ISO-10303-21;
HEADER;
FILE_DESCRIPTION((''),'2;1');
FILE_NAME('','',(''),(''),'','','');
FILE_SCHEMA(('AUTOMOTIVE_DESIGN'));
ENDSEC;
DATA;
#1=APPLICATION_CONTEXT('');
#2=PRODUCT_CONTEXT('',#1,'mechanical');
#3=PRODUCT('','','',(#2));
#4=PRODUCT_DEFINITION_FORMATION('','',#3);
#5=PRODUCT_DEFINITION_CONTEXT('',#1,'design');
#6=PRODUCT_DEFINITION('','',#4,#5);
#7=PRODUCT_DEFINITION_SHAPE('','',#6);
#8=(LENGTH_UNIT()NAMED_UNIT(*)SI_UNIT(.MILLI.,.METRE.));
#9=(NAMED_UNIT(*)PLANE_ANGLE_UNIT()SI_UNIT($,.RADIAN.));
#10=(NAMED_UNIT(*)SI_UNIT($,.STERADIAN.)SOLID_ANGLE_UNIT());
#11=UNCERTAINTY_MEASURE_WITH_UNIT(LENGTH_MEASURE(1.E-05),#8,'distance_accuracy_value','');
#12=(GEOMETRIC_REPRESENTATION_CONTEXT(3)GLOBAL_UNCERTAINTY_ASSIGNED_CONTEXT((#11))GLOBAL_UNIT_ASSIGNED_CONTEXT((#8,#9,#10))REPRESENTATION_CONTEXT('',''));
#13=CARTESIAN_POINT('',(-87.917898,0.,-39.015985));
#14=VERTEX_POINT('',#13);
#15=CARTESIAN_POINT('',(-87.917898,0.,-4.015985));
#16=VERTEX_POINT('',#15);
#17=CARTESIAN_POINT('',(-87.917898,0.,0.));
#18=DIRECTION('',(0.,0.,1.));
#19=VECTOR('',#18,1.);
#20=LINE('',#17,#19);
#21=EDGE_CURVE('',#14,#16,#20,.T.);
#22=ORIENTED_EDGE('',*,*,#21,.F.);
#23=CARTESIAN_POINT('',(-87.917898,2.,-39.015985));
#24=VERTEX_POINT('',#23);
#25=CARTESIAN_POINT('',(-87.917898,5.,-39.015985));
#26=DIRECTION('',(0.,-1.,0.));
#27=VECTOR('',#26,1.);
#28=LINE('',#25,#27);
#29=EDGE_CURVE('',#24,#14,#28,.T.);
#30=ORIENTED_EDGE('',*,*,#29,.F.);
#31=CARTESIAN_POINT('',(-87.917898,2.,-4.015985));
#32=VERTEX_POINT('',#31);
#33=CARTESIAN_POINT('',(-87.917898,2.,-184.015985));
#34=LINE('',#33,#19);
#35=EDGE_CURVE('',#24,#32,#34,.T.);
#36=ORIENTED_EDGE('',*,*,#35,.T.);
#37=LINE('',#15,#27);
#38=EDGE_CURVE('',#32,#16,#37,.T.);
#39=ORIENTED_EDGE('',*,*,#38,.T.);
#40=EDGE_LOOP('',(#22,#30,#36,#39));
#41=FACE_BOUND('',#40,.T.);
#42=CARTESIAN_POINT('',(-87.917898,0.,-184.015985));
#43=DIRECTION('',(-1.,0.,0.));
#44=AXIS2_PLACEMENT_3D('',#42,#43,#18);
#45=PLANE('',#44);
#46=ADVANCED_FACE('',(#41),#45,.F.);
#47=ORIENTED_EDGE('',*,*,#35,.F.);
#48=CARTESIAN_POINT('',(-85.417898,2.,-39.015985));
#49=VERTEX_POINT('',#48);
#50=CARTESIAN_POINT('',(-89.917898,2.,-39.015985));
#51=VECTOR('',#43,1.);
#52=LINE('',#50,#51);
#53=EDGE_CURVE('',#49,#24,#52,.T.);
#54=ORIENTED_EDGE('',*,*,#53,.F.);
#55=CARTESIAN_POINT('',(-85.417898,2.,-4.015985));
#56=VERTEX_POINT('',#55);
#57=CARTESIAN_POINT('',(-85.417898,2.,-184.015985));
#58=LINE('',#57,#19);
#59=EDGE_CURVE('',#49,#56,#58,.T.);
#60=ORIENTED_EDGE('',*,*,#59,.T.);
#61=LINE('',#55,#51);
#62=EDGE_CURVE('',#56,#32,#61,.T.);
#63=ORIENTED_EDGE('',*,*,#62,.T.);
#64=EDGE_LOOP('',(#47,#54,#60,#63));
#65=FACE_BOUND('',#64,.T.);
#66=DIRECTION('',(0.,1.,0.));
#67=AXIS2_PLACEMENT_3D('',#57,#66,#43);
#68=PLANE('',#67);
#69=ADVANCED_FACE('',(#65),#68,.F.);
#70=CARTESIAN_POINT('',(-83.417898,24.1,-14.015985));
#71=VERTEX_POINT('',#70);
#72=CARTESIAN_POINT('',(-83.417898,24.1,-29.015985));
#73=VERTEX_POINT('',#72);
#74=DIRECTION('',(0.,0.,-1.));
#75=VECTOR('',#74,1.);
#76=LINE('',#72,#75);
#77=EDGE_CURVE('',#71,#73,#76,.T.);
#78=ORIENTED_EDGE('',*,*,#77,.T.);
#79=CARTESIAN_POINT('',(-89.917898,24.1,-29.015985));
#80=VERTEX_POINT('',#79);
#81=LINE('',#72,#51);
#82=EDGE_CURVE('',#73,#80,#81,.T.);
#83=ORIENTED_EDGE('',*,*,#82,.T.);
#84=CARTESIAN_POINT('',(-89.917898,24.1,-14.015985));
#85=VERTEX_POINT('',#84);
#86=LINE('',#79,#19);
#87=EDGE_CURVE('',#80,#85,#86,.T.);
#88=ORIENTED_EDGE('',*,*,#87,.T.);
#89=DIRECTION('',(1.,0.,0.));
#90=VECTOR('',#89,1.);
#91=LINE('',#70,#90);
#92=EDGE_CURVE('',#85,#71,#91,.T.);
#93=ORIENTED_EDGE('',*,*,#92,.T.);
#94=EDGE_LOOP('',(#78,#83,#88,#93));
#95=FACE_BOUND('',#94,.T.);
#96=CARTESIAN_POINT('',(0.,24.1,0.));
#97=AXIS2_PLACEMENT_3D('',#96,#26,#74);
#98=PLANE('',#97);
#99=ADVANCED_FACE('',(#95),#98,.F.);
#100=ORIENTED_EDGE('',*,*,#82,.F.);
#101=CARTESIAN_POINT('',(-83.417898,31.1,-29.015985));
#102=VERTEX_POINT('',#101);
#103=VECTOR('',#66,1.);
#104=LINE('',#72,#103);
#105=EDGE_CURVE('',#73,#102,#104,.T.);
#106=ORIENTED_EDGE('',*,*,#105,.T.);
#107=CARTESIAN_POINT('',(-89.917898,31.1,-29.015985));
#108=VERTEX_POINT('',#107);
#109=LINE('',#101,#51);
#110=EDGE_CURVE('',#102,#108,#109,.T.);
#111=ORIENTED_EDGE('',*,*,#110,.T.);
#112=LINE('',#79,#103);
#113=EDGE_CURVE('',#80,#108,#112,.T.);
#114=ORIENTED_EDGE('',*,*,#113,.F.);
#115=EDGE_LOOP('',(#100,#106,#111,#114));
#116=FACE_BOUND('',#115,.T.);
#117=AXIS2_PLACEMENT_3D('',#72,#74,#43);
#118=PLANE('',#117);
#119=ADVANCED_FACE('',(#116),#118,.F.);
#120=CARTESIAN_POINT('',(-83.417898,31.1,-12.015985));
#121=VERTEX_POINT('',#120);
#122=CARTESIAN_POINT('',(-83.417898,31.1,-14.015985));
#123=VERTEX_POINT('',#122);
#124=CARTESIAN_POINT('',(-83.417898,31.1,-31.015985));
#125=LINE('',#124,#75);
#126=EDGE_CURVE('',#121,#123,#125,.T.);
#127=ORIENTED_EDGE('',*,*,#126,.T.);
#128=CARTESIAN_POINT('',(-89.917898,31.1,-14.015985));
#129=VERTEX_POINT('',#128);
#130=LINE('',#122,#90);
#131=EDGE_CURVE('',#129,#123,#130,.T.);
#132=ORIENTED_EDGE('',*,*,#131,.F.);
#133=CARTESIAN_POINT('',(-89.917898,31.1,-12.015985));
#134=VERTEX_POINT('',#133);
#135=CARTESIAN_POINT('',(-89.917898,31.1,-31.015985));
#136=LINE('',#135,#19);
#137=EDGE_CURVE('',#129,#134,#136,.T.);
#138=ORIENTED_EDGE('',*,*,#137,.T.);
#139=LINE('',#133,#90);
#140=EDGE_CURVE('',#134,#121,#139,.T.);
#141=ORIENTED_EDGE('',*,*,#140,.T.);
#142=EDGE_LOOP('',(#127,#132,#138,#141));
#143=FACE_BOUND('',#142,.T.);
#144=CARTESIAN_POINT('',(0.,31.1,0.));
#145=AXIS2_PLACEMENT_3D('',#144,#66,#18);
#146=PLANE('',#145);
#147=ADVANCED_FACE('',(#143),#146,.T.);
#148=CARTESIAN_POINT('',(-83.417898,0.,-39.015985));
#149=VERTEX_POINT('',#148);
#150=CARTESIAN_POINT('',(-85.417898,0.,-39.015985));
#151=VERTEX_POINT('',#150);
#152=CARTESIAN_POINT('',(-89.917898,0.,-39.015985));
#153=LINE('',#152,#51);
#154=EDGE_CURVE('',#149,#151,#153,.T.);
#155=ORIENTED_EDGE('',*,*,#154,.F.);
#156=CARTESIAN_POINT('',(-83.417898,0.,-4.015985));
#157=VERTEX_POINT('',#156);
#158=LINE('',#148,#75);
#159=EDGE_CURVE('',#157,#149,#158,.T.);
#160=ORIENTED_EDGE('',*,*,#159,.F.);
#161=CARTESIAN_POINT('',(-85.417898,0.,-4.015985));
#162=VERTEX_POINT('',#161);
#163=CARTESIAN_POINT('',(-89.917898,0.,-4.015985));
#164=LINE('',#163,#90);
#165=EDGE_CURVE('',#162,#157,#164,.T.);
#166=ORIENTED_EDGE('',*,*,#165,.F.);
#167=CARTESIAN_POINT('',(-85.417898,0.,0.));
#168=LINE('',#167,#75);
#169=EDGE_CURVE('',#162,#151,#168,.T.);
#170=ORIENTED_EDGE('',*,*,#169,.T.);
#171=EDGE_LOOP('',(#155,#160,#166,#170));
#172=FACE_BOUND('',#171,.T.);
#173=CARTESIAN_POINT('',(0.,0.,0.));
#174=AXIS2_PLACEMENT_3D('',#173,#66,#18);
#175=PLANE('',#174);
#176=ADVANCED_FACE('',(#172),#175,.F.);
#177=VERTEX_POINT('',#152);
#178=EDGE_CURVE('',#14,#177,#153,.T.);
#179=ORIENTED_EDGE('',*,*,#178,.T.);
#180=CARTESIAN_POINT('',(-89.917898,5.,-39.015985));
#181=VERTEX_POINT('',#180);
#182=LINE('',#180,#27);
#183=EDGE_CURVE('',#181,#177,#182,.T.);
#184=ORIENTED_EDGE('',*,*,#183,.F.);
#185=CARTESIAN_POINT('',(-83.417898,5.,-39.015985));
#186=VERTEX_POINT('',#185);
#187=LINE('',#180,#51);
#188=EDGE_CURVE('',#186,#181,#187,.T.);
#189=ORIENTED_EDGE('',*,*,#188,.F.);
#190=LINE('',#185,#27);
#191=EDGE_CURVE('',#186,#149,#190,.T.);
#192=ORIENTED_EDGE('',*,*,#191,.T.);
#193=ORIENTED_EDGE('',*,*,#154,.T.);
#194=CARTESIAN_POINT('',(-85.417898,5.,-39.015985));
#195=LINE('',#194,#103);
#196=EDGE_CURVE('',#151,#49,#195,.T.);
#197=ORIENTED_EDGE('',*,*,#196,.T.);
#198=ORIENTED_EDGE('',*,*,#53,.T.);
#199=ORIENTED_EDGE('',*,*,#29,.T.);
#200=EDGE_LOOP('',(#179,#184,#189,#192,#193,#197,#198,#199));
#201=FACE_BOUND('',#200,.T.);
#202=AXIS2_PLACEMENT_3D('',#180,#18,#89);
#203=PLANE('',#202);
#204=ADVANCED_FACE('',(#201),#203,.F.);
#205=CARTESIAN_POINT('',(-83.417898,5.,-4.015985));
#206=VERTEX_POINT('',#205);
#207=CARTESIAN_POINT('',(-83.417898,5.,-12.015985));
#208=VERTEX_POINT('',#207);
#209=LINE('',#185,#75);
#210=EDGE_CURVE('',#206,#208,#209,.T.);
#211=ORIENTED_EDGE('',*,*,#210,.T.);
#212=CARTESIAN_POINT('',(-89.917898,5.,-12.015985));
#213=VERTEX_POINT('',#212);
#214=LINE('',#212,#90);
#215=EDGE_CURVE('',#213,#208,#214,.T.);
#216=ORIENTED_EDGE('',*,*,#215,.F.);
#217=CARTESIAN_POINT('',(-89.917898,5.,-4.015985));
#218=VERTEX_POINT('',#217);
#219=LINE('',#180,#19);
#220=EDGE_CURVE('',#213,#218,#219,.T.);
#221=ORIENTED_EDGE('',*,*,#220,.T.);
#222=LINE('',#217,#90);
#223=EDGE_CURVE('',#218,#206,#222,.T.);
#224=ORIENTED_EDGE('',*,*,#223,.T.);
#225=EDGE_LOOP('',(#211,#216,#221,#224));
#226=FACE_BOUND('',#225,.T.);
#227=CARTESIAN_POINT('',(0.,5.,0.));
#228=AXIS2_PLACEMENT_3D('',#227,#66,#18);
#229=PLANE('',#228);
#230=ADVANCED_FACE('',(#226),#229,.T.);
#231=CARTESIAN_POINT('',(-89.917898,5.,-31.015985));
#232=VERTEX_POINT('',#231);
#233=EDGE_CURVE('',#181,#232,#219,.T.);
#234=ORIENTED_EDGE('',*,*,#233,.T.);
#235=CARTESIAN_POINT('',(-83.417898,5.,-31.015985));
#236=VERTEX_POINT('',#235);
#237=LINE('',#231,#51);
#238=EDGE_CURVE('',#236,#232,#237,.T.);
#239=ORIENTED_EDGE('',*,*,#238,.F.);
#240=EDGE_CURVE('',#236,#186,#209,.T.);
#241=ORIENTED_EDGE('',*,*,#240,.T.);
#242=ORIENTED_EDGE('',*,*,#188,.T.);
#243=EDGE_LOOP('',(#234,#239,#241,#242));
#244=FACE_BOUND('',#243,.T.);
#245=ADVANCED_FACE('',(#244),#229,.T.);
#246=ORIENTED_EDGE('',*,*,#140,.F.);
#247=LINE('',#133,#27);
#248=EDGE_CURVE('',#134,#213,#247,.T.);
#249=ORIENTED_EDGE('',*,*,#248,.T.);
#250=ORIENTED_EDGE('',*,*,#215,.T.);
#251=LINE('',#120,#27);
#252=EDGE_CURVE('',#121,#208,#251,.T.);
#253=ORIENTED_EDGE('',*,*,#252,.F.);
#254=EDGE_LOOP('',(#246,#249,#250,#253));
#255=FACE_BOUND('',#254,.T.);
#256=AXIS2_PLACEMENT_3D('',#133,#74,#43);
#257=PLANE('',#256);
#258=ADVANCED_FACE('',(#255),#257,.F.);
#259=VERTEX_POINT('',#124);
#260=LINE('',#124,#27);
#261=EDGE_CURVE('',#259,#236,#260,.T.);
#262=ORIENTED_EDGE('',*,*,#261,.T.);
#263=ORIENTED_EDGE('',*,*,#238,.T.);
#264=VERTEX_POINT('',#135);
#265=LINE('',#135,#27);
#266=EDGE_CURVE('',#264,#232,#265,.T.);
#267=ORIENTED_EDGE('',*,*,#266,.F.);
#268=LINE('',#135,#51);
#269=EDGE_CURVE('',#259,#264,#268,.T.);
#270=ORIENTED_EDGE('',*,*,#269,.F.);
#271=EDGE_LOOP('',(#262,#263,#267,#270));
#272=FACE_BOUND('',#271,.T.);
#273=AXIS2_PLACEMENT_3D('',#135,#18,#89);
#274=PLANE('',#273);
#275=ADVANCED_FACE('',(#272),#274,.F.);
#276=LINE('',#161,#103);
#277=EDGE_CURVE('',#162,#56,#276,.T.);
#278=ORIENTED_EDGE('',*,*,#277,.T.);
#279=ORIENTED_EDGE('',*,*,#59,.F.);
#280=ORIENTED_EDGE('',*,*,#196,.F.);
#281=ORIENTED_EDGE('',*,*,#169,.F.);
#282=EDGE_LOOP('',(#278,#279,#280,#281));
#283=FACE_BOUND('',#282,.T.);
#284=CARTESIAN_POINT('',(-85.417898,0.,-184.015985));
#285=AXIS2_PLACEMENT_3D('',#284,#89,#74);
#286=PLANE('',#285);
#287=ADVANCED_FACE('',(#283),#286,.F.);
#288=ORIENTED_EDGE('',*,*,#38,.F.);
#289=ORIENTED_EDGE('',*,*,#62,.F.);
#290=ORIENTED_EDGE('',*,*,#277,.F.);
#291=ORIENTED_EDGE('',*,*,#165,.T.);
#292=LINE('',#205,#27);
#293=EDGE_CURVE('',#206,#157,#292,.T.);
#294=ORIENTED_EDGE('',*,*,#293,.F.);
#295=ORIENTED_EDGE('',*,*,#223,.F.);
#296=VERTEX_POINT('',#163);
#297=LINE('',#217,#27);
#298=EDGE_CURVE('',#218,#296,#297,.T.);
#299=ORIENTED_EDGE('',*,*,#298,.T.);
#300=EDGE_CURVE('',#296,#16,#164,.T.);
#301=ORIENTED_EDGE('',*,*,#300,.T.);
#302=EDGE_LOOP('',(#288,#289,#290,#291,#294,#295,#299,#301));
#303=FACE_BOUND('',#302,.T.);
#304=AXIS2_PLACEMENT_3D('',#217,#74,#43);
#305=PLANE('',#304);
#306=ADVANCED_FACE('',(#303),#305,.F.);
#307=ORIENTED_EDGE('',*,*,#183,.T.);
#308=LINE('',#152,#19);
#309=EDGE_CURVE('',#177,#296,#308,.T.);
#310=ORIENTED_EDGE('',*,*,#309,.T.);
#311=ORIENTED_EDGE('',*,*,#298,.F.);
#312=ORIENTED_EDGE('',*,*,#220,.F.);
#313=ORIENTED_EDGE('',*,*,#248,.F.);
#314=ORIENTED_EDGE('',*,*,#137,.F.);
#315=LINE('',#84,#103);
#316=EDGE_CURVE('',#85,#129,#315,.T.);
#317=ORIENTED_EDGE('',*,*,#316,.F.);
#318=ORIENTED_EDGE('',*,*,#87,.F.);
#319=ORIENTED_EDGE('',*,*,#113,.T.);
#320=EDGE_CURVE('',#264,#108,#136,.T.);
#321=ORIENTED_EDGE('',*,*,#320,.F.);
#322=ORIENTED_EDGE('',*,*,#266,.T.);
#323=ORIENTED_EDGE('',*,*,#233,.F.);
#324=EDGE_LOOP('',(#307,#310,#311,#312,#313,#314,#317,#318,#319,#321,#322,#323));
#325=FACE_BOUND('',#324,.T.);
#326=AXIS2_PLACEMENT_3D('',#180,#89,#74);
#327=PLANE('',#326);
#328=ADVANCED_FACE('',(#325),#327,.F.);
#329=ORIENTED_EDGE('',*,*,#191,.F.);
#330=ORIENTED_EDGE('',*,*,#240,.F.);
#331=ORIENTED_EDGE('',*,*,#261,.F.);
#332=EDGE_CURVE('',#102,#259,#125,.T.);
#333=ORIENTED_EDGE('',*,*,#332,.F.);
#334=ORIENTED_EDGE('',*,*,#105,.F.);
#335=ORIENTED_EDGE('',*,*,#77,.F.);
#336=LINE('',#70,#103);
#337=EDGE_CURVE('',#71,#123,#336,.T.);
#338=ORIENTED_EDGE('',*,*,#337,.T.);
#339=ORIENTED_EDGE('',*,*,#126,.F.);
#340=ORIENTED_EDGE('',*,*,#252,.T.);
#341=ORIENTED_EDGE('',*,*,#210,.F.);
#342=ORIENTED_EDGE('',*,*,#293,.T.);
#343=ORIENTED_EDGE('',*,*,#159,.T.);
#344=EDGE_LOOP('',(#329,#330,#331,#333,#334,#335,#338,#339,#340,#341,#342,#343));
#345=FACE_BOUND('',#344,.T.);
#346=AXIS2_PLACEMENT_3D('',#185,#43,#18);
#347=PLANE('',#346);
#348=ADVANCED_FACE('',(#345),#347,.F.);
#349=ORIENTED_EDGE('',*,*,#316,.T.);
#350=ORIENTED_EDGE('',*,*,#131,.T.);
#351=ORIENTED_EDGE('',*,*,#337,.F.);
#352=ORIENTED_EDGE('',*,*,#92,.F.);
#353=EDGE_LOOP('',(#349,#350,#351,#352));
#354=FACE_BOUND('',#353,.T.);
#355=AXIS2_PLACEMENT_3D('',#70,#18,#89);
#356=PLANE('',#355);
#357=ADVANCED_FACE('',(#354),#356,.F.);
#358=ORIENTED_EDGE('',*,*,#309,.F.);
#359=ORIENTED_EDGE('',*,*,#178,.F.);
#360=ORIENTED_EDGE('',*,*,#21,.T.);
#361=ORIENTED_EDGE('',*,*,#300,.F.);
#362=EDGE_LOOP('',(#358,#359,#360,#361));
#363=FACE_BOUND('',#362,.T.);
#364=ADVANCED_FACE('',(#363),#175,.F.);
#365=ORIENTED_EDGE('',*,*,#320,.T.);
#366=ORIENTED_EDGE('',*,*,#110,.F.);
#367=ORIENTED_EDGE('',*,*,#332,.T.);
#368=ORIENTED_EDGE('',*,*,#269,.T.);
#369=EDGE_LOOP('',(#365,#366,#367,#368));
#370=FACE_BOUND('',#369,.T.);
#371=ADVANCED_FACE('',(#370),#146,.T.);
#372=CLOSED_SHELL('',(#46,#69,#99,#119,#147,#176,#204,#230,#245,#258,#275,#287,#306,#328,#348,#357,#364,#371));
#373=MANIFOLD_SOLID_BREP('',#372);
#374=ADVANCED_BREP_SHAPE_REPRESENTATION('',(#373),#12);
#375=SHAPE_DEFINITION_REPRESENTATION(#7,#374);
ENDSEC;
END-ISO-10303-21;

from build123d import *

# Parameters (mm, degrees)
SKETCH_2_W          = 6.5
SKETCH_2_H          = 35
EXTRUDE_1_DEPTH     = 5
SKETCH_3_W          = 2.5
SKETCH_3_H          = 2
CUT_EXTRUDE_1_DEPTH = 180
SKETCH_4_W          = 6.5
SKETCH_4_H          = 19
EXTRUDE_2_DEPTH     = 26.1
SKETCH_5_W          = 6.5
SKETCH_5_H          = 15
CUT_EXTRUDE_2_DEPTH = 7


with BuildPart() as part:
    # Эскиз2 → Бобышка-Вытянуть1 (new body)
    with BuildSketch(Plane(origin=(0, 0, 0), x_dir=(1, 0, 0), z_dir=(0, 1, 0))):
        with Locations((-86.667897916, 21.515984643)):
            Rectangle(SKETCH_2_W, SKETCH_2_H)
    extrude(amount=EXTRUDE_1_DEPTH)

    # Эскиз3 → Вырез-Вытянуть1 (cut)
    with BuildSketch(Plane.XY.offset(-4.015984643)):
        with Locations((-86.667897916, 1)):
            Rectangle(SKETCH_3_W, SKETCH_3_H)
    extrude(amount=-CUT_EXTRUDE_1_DEPTH, mode=Mode.SUBTRACT)

    # Эскиз4 → Бобышка-Вытянуть2 (add)
    with BuildSketch(Plane(origin=(0, 5, 0), x_dir=(1, 0, 0), z_dir=(0, 1, 0))):
        with Locations((-86.667897916, 21.515984643)):
            Rectangle(SKETCH_4_W, SKETCH_4_H)
    extrude(amount=EXTRUDE_2_DEPTH)

    # Эскиз5 → Вырез-Вытянуть2 (cut)
    with BuildSketch(Plane(origin=(0, 31.1, 0), x_dir=(1, 0, 0), z_dir=(0, 1, 0))):
        with Locations((-86.667897916, 21.515984643)):
            Rectangle(SKETCH_5_W, SKETCH_5_H)
    extrude(amount=-CUT_EXTRUDE_2_DEPTH, mode=Mode.SUBTRACT)


solid = part.part
